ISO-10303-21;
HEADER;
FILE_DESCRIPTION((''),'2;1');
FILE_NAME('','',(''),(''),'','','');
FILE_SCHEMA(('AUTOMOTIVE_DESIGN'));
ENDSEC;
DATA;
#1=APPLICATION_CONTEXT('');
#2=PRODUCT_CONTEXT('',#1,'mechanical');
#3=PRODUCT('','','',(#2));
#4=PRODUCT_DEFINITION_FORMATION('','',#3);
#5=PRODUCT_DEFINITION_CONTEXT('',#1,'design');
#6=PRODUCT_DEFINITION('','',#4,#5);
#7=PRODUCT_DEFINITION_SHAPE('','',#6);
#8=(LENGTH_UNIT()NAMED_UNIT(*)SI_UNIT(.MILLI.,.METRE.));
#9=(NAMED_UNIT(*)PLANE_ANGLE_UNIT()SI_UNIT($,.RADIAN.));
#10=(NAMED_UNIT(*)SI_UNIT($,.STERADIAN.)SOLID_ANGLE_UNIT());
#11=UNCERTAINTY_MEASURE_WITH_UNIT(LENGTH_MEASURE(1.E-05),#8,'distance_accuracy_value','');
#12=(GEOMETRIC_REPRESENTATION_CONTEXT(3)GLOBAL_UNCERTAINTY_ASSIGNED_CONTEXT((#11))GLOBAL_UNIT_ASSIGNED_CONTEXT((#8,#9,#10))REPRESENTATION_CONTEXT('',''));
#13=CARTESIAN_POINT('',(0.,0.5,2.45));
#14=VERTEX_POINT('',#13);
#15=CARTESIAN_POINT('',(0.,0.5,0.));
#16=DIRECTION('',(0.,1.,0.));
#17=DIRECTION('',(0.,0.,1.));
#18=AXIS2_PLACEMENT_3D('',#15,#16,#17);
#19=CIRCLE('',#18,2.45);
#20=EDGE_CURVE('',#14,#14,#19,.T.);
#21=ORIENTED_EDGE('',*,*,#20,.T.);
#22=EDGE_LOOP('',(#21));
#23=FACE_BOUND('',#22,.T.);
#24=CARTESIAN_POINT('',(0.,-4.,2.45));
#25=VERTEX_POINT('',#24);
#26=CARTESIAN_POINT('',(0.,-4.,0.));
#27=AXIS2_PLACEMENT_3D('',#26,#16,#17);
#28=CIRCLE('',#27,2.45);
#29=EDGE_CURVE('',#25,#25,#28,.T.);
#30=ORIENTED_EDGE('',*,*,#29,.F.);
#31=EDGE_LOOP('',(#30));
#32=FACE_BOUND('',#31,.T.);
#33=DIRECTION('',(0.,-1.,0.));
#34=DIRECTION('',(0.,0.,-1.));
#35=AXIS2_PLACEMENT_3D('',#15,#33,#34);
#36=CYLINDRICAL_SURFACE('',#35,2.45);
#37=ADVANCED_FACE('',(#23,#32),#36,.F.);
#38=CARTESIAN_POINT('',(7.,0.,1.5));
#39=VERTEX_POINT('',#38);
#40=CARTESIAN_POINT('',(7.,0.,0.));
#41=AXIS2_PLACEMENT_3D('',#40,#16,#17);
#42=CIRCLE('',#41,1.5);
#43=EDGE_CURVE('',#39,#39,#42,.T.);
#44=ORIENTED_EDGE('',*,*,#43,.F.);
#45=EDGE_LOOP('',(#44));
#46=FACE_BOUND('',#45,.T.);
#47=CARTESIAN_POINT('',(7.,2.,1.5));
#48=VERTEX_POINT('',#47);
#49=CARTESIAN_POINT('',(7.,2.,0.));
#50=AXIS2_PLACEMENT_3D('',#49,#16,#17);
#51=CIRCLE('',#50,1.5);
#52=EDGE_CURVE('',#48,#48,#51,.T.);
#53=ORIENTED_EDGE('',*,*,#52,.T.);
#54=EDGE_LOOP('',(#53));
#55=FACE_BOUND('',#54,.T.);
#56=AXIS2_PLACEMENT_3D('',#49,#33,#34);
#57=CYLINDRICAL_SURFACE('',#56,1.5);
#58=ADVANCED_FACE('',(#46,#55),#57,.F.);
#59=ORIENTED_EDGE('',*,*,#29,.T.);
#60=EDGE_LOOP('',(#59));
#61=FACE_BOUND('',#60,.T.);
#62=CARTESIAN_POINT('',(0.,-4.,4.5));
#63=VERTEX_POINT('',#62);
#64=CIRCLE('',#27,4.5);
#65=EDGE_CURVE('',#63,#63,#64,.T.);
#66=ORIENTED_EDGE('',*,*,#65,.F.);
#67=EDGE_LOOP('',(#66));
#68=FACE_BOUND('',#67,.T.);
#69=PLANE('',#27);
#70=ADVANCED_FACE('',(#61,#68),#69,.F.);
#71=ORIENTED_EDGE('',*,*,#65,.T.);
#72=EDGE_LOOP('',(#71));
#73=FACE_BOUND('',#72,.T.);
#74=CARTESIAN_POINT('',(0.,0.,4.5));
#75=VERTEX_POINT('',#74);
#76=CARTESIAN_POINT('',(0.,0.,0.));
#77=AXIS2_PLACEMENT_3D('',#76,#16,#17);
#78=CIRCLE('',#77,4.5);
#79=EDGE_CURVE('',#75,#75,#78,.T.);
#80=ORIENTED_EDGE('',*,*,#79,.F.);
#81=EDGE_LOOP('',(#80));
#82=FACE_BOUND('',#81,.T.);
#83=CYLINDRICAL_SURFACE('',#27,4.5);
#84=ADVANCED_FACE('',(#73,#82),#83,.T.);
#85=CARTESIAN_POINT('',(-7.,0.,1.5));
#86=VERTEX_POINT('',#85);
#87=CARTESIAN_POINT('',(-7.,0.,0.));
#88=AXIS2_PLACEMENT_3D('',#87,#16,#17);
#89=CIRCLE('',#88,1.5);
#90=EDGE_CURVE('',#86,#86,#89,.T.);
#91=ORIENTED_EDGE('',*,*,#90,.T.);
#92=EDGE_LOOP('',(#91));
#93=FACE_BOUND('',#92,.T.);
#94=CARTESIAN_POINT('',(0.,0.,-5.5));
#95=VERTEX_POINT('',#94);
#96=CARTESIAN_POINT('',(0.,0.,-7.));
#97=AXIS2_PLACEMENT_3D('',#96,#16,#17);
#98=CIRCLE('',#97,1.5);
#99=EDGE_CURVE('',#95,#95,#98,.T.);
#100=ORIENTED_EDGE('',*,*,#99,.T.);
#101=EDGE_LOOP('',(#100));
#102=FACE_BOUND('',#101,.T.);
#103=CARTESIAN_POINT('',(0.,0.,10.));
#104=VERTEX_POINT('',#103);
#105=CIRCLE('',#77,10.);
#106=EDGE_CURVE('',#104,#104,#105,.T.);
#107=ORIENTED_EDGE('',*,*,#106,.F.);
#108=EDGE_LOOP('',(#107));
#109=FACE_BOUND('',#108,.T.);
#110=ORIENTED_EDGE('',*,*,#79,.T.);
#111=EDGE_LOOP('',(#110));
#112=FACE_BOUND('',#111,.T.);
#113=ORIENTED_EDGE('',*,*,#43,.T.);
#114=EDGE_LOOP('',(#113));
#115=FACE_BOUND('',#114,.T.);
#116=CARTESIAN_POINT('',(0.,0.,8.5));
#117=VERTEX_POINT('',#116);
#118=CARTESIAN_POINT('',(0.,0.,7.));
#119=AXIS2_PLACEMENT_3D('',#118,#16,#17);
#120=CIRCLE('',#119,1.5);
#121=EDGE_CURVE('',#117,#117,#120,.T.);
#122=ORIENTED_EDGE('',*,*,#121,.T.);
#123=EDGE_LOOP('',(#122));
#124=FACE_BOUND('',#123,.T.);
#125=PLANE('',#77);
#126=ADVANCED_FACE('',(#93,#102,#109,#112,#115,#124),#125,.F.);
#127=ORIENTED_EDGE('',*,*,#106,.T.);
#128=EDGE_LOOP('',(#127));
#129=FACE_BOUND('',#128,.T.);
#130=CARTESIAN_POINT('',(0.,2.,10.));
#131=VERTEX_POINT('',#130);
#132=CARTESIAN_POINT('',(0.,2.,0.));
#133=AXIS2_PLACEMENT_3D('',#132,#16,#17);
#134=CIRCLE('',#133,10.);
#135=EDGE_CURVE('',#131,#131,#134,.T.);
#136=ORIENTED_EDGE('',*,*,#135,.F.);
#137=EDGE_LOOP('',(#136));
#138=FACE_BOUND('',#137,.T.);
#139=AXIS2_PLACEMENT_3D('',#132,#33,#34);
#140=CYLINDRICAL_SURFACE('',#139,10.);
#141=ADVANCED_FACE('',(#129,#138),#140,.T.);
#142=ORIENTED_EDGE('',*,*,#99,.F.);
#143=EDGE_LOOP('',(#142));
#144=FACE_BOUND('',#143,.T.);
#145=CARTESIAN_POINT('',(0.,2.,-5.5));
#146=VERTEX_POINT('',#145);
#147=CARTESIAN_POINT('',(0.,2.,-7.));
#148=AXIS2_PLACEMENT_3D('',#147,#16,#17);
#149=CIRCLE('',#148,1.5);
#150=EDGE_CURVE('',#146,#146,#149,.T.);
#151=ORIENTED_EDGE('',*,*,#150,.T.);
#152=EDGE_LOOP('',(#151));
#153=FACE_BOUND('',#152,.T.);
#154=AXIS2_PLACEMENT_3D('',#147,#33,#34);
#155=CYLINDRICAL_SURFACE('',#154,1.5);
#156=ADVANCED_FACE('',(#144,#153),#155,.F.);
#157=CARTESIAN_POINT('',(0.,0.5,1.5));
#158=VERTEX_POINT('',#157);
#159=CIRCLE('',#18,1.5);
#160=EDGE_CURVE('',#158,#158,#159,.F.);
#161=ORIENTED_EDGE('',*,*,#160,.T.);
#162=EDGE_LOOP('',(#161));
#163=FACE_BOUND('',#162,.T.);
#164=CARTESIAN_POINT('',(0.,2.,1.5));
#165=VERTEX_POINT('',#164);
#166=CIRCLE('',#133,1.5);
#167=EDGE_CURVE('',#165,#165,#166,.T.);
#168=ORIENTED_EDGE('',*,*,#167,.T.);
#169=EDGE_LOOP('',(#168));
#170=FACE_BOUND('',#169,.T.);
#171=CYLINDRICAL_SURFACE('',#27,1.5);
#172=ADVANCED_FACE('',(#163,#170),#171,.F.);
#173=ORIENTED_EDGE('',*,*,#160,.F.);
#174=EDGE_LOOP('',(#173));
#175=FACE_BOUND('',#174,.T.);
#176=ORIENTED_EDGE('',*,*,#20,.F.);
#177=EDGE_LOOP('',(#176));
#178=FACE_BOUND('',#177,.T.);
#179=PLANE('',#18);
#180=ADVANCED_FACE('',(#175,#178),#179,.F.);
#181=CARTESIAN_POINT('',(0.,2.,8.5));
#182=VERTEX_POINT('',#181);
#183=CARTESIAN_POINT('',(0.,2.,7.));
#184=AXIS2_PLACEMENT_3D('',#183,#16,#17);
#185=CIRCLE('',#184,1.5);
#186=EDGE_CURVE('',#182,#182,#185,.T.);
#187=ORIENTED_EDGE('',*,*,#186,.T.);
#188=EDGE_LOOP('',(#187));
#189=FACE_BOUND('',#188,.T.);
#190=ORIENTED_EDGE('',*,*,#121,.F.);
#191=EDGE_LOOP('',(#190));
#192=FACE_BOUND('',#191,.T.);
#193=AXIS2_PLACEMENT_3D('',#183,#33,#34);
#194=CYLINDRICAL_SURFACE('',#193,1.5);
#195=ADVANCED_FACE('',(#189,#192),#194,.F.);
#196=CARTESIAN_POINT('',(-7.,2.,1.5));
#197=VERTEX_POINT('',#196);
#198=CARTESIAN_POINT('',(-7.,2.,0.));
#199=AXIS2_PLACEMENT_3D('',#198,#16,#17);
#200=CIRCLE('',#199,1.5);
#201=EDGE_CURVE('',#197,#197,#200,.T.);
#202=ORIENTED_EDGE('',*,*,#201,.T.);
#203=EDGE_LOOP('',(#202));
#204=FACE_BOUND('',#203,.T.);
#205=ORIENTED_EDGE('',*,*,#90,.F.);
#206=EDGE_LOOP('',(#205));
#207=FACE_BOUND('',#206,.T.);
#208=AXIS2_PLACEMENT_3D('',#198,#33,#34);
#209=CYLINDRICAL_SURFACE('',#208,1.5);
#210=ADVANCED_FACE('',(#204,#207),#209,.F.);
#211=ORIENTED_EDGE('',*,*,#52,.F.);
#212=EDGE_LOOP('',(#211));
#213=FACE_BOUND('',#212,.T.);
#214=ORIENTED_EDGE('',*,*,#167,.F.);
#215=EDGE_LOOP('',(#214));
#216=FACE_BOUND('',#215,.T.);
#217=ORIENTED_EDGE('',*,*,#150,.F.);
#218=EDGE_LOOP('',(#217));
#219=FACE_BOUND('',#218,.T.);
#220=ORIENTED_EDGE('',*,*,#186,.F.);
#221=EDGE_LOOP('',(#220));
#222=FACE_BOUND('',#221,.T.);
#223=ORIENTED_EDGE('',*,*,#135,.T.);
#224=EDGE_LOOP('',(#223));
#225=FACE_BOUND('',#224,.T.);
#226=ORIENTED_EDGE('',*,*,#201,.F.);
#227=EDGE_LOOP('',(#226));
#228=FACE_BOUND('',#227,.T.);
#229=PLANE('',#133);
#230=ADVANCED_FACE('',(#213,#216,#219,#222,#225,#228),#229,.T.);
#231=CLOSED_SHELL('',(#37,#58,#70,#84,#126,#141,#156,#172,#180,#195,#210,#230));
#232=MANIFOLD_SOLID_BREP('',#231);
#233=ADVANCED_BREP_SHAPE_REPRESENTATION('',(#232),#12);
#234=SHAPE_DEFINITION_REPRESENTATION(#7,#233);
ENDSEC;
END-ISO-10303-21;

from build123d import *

# Parameters (mm, degrees)
SKETCH_1_R               = 10
SKETCH_1_R_2             = 1.5
EXTRUDE_1_DEPTH          = 2
SKETCH_2_R               = 4.5
EXTRUDE_2_DEPTH          = 4
CUT_EXTRUDE_1_DEPTH      = 15.696938457
CUT_EXTRUDE_1_DEPTH_BACK = 15.696938457
SKETCH_3_R               = 1.5
CUT_EXTRUDE_START        = -4
SKETCH_4_R               = 2.45
CUT_EXTRUDE_2_DEPTH      = 4.5


with BuildPart() as part:
    # 草图1 → 凸台-拉伸1 (new body)
    with BuildSketch(Plane(origin=(0, 0, 0), x_dir=(1, 0, 0), z_dir=(0, 1, 0))):
        with Locations(Location((0, 0, 0), (0, 0, 270))):
            Circle(SKETCH_1_R)
        with Locations(Location((0, 7, 0), (0, 0, 270))):
            Circle(SKETCH_1_R_2, mode=Mode.SUBTRACT)
        with Locations(Location((7, 0, 0), (0, 0, 270))):
            Circle(SKETCH_1_R_2, mode=Mode.SUBTRACT)
        with Locations(Location((0, -7, 0), (0, 0, 270))):
            Circle(SKETCH_1_R_2, mode=Mode.SUBTRACT)
        with Locations(Location((-7, 0, 0), (0, 0, 270))):
            Circle(SKETCH_1_R_2, mode=Mode.SUBTRACT)
    extrude(amount=EXTRUDE_1_DEPTH)

    # 草图2 → 凸台-拉伸2 (add)
    with BuildSketch(Plane(origin=(0, 0, 0), x_dir=(1, 0, 0), z_dir=(0, 1, 0))):
        with Locations(Location((0, 0, 0), (0, 0, 270))):
            Circle(SKETCH_2_R)
    extrude(amount=-EXTRUDE_2_DEPTH)

    # 草图3 → 切除-拉伸1 (cut, two sides: drawn at the far end of the back side and taken through both)
    with BuildSketch(Plane(origin=(0, 0, 0), x_dir=(1, 0, 0), z_dir=(0, 1, 0)).offset(-CUT_EXTRUDE_1_DEPTH_BACK)):
        with Locations(Location((0, 0, 0), (0, 0, 270))):
            Circle(SKETCH_3_R)
    extrude(amount=CUT_EXTRUDE_1_DEPTH + CUT_EXTRUDE_1_DEPTH_BACK, mode=Mode.SUBTRACT)

    # 草图4 → 切除-拉伸2 (cut)
    with BuildSketch(Plane(origin=(0, 0, 0), x_dir=(1, 0, 0), z_dir=(0, 1, 0)).offset(CUT_EXTRUDE_START)):
        with Locations(Location((0, 0, 0), (0, 0, 270))):
            Circle(SKETCH_4_R)
    extrude(amount=CUT_EXTRUDE_2_DEPTH, mode=Mode.SUBTRACT)


solid = part.part
